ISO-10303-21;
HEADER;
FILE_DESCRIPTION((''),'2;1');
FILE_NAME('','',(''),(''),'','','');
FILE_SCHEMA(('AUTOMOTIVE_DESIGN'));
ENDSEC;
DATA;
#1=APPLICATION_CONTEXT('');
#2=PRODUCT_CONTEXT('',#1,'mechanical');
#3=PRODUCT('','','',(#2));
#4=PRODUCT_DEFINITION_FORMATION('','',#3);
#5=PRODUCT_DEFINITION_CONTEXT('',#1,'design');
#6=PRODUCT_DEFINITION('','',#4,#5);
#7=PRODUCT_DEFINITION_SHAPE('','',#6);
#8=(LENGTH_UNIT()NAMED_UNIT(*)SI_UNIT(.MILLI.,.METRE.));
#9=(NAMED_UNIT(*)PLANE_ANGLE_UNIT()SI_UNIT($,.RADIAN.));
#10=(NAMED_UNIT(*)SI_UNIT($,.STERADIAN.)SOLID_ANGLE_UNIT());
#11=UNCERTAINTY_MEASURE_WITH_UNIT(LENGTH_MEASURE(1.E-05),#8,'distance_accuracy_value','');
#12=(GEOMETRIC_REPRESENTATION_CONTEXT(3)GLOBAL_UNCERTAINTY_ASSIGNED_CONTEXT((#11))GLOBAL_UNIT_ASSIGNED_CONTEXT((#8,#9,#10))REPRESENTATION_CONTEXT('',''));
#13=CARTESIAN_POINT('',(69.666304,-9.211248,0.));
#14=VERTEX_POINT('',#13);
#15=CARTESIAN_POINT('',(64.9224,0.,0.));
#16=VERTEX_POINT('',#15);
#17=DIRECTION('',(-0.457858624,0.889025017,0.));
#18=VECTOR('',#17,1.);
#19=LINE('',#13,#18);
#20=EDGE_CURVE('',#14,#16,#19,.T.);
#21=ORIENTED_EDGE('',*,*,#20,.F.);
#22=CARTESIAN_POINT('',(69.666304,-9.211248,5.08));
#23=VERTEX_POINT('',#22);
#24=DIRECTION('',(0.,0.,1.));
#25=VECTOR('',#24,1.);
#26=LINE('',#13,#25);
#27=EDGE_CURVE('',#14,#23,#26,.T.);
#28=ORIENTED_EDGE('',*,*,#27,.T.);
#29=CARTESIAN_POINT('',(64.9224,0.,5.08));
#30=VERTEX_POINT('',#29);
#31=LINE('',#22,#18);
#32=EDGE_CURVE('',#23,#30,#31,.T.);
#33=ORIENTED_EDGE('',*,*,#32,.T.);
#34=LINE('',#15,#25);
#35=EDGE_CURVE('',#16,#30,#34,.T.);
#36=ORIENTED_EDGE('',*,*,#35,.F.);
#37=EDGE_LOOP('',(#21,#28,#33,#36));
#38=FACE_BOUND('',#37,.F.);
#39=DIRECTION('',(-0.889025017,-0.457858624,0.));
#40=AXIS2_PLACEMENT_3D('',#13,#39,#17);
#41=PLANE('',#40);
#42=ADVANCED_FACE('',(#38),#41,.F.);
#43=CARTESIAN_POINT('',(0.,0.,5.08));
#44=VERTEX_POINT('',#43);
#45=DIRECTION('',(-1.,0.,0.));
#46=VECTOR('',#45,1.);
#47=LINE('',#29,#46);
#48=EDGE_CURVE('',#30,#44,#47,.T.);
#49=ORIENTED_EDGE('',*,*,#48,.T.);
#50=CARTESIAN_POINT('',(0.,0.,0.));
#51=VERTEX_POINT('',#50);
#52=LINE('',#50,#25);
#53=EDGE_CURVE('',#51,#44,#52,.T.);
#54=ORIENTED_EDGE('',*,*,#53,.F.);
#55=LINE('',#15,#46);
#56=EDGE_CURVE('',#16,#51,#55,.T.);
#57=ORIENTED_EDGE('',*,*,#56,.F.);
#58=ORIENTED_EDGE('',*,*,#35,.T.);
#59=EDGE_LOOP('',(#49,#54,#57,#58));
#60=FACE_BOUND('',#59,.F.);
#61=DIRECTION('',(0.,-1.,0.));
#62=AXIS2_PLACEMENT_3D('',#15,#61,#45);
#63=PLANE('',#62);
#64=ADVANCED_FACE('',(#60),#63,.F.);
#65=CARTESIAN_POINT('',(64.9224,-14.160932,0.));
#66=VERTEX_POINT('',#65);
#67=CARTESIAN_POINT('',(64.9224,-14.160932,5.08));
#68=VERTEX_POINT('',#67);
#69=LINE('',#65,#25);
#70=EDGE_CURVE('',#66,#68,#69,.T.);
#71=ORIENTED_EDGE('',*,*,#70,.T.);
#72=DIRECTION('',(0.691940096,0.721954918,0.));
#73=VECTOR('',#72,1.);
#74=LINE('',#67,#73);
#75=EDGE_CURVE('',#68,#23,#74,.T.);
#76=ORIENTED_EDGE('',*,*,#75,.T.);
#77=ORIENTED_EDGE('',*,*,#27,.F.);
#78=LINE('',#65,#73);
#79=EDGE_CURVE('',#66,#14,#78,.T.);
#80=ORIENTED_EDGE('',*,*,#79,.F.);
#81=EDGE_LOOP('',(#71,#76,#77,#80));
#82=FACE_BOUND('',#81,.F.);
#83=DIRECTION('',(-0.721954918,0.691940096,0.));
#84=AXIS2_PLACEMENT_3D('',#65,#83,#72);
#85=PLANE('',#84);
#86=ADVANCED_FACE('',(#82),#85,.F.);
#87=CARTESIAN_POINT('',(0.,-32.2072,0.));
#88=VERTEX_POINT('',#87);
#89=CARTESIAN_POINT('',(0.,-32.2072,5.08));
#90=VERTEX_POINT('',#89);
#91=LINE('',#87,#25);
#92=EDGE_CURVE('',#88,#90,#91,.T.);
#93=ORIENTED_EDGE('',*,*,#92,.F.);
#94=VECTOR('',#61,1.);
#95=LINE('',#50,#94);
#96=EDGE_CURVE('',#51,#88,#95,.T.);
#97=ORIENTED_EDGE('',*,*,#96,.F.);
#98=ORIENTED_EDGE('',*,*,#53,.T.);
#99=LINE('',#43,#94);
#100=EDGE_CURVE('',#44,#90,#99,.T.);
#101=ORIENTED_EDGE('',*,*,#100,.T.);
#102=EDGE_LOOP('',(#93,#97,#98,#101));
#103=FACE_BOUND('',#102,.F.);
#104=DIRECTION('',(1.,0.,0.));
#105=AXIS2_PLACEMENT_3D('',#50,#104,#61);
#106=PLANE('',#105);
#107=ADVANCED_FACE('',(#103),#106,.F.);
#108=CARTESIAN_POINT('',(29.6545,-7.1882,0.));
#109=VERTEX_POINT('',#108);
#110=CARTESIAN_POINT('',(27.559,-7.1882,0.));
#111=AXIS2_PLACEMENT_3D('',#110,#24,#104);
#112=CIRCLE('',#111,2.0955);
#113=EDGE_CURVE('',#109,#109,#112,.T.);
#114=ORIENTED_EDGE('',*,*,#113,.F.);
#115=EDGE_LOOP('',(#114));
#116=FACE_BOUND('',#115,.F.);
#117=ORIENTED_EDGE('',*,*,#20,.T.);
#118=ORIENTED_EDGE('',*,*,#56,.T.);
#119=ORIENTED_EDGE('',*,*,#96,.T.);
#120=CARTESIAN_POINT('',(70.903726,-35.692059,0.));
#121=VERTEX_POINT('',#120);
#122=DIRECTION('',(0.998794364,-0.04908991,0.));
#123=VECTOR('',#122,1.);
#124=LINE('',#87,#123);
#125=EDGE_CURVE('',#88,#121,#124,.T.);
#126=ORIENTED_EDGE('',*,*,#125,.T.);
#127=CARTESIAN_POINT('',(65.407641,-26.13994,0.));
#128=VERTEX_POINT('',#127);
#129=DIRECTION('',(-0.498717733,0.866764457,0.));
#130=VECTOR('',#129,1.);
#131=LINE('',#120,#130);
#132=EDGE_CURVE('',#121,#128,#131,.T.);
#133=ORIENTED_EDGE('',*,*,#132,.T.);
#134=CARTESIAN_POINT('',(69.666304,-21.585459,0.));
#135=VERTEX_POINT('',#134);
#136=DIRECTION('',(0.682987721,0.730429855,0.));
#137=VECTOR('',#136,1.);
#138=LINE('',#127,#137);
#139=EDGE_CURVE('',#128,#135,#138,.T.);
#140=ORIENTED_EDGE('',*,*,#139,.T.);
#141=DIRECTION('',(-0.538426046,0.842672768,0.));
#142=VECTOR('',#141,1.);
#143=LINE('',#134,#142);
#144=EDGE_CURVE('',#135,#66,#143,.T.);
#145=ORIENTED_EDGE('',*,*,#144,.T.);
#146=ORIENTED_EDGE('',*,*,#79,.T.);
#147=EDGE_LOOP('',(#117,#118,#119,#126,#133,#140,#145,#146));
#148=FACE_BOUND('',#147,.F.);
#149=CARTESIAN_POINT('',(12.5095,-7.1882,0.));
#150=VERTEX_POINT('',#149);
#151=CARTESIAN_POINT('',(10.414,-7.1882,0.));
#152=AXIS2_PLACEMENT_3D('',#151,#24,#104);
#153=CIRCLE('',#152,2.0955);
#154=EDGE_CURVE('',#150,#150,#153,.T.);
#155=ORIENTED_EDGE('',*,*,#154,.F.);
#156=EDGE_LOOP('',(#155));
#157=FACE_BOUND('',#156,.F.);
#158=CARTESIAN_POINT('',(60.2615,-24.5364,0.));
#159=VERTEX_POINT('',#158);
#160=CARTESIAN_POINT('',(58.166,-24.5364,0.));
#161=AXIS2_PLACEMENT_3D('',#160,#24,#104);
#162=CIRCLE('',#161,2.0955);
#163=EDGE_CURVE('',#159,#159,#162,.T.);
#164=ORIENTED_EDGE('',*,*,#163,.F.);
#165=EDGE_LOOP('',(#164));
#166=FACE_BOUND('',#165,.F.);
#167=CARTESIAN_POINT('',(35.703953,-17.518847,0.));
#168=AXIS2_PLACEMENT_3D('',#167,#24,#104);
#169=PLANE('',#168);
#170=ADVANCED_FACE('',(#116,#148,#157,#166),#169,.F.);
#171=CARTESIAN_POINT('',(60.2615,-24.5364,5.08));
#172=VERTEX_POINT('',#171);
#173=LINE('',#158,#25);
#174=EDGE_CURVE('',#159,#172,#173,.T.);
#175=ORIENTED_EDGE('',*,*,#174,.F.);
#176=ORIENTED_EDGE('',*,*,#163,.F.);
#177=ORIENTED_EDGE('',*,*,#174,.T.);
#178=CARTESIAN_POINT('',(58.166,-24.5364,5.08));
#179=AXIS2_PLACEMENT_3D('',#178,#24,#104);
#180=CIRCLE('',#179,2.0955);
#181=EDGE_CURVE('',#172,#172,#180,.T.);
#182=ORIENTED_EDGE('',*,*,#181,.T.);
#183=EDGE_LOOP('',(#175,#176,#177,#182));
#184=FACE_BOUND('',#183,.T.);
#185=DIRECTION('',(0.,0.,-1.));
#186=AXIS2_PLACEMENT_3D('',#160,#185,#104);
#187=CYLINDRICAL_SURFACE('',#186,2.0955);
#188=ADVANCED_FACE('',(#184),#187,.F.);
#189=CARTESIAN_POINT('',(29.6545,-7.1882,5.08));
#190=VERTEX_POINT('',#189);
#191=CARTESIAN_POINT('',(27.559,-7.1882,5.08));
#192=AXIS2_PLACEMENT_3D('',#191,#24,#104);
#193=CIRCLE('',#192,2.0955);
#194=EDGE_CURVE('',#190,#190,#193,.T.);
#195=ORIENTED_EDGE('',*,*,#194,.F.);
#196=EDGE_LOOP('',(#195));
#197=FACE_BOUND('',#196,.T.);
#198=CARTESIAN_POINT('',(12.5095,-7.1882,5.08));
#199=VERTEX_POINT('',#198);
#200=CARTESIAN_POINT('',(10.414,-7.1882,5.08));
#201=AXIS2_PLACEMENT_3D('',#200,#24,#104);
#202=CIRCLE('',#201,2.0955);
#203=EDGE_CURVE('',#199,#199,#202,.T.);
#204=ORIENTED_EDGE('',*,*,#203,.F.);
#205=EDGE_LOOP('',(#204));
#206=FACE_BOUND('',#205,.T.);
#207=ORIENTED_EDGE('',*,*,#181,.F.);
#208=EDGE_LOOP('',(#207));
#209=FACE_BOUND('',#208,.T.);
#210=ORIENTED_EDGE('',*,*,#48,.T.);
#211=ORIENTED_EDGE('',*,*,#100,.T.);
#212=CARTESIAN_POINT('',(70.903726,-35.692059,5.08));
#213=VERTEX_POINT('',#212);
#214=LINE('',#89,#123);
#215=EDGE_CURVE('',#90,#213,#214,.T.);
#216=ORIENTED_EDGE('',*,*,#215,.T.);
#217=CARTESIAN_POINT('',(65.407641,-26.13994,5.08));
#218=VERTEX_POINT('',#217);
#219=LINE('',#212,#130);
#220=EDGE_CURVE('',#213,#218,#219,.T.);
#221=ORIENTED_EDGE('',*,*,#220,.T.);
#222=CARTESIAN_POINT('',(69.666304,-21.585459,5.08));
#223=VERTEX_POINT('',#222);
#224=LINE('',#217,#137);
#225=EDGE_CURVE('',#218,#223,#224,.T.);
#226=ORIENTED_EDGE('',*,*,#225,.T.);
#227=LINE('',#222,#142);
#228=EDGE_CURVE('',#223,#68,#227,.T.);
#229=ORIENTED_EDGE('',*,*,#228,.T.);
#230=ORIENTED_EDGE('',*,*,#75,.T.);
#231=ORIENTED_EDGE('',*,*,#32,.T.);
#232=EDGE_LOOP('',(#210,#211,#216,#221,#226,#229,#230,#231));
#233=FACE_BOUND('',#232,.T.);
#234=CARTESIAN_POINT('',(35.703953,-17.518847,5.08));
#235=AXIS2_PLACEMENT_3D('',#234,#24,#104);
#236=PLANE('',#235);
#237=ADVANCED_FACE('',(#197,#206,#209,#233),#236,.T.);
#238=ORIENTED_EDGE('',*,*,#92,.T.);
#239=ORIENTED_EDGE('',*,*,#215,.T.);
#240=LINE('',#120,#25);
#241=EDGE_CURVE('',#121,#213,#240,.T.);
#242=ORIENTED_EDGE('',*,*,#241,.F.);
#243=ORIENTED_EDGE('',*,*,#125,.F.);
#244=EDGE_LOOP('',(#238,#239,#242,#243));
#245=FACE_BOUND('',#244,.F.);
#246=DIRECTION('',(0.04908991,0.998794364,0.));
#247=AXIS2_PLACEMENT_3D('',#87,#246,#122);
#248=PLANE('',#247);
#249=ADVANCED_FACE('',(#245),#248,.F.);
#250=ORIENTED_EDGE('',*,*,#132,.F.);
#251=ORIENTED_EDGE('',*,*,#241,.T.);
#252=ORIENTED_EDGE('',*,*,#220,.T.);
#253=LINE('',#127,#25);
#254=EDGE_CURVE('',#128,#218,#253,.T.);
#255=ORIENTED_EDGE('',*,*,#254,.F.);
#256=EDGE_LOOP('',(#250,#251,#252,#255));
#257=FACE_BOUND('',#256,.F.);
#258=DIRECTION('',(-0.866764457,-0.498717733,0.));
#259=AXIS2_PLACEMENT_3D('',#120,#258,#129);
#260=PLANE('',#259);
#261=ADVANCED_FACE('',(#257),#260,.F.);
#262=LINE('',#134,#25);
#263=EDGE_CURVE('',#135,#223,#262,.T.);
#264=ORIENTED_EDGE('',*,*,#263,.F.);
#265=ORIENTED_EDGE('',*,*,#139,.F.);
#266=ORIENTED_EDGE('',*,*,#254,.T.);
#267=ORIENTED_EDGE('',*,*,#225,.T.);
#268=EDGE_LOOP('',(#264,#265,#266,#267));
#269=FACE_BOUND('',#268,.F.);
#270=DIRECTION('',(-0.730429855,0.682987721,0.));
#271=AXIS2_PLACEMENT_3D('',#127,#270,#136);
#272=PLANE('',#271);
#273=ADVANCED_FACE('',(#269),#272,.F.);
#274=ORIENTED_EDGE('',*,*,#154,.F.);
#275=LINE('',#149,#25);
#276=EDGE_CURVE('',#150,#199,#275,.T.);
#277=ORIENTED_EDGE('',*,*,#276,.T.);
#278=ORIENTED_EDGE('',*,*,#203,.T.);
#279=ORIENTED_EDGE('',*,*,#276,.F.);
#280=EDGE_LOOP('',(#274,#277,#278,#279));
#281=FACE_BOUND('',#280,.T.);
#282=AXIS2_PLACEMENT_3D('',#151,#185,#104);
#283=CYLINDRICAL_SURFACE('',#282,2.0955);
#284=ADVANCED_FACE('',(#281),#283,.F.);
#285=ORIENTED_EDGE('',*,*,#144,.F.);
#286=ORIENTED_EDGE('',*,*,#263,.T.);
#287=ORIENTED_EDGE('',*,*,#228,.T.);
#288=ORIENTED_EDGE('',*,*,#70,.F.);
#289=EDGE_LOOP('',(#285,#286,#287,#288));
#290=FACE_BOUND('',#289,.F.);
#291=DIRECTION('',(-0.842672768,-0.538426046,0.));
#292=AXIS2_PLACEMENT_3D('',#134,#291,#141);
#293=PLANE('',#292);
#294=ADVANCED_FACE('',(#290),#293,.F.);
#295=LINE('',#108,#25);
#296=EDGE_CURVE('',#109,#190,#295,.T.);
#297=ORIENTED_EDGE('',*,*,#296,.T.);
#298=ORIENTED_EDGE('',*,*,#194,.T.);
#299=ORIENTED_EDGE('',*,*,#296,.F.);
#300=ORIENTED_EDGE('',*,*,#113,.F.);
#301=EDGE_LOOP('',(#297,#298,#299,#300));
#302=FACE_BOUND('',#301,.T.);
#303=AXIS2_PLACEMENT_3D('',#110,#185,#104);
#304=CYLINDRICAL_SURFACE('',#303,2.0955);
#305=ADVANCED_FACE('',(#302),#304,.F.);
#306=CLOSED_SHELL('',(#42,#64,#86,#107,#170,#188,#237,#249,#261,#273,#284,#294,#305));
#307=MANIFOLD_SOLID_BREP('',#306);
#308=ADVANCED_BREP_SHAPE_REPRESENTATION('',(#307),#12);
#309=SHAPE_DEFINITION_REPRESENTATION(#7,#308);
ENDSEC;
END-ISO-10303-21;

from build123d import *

# Parameters (mm, degrees)
F0_R     = 2.0955
F1_DEPTH = 5.08


with BuildPart() as f1:
    # F0 (on Top) → F1 (new body)
    with BuildSketch(Plane.XY):
        Polygon((64.9224, 0), (0, 0), (0, -32.2072), (70.903726, -35.692059), (65.407641, -26.13994), (69.666304, -21.585459), (64.9224, -14.160932), (69.666304, -9.211248), align=None)
        with Locations((58.166, -24.5364)):
            Circle(F0_R, mode=Mode.SUBTRACT)
        with Locations((10.414, -7.1882)):
            Circle(F0_R, mode=Mode.SUBTRACT)
        with Locations((27.559, -7.1882)):
            Circle(F0_R, mode=Mode.SUBTRACT)
    extrude(amount=F1_DEPTH)


solid = f1.part
